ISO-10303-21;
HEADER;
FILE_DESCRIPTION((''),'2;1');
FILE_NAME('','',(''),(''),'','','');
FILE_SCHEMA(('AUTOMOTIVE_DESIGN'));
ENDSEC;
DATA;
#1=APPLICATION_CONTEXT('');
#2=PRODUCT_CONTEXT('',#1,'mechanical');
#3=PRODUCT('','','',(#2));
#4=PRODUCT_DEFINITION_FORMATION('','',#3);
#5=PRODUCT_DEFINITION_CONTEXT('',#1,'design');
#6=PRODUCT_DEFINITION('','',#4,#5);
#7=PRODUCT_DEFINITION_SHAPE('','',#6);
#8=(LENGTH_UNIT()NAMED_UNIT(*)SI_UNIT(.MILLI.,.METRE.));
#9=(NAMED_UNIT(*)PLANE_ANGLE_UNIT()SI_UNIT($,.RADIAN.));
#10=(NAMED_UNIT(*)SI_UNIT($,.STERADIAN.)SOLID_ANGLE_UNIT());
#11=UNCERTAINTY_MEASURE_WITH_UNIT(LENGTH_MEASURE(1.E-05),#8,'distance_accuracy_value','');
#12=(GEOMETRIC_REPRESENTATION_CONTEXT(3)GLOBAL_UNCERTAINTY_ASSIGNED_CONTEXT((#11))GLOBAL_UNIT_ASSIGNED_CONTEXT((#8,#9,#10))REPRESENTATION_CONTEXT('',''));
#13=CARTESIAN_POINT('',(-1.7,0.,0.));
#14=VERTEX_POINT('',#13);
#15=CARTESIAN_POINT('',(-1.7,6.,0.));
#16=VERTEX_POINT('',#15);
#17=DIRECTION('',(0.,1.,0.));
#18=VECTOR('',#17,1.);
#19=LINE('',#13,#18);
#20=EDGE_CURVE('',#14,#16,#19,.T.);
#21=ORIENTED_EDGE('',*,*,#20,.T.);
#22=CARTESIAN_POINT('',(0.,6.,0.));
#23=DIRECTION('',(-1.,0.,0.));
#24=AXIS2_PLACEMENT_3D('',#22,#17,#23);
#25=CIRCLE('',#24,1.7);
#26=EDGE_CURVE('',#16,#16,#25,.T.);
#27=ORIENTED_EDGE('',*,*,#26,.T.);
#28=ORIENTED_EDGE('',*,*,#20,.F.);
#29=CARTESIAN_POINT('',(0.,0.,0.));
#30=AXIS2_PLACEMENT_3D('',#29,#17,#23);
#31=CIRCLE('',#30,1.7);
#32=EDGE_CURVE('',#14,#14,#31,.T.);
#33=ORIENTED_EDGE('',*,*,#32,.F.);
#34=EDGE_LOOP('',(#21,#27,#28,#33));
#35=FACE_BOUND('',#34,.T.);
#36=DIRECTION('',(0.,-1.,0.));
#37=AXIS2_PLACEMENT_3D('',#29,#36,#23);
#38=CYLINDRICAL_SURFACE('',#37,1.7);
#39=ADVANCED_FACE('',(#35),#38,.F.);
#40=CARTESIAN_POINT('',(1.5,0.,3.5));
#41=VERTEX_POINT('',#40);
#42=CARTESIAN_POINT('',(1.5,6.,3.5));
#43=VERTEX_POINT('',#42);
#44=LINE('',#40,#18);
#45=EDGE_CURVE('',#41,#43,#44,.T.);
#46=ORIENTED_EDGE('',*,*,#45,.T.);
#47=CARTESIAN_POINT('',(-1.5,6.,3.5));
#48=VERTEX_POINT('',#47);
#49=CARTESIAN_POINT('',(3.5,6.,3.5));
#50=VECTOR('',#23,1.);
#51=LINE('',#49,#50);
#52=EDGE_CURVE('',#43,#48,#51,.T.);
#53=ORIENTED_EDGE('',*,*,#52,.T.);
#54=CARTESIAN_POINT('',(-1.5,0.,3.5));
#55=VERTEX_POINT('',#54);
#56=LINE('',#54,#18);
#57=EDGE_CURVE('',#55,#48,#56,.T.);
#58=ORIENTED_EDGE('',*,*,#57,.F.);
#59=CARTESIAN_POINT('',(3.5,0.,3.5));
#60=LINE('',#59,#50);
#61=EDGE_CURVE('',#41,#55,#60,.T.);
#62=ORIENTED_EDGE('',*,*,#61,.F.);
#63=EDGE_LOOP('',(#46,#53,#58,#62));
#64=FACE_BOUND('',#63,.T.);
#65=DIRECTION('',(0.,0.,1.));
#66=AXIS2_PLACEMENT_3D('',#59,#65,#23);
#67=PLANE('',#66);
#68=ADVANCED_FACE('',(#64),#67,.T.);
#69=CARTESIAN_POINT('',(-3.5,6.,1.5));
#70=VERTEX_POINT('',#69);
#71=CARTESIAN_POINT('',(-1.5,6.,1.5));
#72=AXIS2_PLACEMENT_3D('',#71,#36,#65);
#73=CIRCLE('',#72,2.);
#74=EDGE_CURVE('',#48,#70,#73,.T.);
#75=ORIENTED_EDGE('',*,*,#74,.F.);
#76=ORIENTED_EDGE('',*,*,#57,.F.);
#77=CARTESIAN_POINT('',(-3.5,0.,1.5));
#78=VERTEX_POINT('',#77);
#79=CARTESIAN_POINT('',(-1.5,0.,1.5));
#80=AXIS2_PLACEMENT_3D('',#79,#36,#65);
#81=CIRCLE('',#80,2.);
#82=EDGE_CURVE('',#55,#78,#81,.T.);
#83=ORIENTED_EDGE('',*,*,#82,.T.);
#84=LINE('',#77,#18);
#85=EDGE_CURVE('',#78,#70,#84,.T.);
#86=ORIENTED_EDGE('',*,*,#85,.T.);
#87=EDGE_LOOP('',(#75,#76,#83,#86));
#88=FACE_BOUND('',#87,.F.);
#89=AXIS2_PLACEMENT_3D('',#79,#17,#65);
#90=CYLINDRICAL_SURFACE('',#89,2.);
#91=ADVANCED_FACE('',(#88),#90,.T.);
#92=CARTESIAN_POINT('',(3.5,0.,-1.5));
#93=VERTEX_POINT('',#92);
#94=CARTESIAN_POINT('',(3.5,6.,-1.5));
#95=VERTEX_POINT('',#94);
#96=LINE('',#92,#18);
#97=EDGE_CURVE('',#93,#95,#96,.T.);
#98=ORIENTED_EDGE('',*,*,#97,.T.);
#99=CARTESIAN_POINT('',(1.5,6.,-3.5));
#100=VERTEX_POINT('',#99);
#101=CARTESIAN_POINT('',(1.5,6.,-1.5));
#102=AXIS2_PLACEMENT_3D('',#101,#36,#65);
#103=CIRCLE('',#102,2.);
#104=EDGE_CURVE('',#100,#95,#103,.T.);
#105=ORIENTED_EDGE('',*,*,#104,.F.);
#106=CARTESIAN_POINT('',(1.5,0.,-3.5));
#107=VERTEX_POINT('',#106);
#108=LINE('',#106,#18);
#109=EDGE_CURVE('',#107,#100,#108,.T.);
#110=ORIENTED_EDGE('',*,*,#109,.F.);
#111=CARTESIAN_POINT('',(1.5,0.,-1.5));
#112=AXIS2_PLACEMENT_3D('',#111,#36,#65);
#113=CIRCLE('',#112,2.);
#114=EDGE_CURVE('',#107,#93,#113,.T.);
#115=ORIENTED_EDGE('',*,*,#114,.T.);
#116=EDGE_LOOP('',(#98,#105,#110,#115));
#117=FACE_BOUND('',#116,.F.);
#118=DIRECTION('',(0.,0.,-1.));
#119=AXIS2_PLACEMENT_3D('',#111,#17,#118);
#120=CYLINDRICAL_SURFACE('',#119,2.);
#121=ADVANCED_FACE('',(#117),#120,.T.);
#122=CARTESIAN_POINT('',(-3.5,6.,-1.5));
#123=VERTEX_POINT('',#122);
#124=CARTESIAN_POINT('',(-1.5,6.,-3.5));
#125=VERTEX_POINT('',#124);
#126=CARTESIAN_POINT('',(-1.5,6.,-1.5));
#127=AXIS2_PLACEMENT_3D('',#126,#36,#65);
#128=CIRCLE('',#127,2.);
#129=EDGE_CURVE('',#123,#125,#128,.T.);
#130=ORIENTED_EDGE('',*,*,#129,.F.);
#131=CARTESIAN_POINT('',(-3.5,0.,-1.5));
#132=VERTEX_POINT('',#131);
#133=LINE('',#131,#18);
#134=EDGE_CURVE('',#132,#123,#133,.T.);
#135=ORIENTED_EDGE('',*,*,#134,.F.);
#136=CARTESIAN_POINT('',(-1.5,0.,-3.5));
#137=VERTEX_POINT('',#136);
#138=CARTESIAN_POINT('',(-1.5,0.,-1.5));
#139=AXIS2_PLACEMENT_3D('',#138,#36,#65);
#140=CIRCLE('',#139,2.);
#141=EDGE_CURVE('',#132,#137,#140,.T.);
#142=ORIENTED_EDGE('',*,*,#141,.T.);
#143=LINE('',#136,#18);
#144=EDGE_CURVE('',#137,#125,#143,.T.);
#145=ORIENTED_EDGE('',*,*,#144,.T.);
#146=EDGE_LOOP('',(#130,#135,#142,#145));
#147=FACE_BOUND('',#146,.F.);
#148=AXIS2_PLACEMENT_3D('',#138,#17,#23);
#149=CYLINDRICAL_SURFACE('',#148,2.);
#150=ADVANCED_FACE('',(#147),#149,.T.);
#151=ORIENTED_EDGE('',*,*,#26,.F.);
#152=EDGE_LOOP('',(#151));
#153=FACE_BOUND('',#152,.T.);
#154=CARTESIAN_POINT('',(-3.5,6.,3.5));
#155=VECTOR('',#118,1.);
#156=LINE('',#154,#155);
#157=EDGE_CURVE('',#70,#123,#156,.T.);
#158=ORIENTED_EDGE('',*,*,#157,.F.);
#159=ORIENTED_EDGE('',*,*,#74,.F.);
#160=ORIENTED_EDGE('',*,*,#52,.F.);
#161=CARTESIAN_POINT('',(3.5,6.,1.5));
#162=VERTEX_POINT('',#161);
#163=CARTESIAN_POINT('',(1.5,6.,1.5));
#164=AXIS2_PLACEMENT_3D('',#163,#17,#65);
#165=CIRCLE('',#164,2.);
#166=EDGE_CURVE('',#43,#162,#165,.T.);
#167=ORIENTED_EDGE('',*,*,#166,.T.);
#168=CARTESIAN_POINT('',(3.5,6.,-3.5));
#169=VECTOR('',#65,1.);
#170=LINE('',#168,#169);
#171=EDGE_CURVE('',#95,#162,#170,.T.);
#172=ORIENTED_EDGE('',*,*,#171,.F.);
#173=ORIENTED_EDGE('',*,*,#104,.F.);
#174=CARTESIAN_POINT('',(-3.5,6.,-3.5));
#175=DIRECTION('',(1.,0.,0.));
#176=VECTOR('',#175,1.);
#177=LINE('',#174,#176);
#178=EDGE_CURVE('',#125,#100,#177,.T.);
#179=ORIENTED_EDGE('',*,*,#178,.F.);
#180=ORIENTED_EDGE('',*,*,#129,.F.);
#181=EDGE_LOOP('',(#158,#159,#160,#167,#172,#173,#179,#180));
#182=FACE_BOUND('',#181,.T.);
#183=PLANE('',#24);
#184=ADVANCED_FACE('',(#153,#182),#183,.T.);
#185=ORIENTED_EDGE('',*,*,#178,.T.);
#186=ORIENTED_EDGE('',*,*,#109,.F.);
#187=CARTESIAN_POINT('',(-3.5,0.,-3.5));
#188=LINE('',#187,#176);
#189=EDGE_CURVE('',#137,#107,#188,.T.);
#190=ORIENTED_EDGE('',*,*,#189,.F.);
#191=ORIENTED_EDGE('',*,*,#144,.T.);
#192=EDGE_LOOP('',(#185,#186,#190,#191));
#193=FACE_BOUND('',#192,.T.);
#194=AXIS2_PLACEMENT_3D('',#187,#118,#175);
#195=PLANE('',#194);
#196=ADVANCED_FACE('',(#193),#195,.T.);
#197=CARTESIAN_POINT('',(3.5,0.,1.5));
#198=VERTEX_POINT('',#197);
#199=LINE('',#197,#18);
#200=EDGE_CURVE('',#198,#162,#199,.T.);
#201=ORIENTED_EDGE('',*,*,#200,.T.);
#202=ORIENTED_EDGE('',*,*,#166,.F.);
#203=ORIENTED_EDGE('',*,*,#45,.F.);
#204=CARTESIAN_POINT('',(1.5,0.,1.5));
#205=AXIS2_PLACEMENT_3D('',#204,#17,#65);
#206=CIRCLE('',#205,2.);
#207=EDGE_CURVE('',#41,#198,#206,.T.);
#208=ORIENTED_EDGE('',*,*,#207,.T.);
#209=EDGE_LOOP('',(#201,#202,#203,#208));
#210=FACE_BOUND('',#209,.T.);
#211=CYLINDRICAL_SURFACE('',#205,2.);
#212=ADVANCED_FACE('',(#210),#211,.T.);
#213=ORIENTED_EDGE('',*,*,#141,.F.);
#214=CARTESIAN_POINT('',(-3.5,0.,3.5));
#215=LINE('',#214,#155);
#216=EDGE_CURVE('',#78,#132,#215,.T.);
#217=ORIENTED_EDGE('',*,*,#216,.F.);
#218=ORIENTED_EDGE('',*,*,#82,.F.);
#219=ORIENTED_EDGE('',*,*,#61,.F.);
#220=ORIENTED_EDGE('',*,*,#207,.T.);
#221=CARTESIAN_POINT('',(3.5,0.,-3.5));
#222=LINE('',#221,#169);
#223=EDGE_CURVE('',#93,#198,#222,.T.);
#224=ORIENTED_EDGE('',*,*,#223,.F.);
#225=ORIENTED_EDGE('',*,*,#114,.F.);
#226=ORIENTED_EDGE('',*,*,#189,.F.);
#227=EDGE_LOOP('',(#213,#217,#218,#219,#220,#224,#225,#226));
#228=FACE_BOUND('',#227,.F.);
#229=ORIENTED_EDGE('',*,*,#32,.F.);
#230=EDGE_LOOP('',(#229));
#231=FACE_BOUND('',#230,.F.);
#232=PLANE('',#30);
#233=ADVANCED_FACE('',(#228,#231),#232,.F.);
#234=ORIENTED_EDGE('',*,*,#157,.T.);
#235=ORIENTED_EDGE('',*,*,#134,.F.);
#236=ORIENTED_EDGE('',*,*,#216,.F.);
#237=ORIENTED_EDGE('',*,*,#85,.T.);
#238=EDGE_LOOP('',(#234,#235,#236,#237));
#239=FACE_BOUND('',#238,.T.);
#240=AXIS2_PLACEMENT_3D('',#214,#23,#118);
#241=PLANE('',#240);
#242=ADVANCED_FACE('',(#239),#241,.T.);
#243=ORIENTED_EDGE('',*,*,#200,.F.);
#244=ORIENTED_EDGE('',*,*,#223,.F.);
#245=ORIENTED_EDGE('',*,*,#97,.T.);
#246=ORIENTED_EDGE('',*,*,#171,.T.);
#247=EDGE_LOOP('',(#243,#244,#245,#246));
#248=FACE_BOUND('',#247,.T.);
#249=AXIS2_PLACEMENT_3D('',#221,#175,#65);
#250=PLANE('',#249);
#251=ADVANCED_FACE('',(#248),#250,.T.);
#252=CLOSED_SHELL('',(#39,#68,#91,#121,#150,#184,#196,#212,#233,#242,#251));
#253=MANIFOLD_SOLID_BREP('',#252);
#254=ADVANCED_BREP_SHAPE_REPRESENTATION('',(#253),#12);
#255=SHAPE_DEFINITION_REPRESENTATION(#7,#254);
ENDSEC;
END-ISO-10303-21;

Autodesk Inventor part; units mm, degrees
ref_plane "YZ Plane" through (0, 0, 0) normal (1, 0, 0) x (0, 1, 0)
ref_plane "XZ Plane" through (0, 0, 0) normal (0, 1, 0) x (-1, 0, 0)
ref_plane "XY Plane" through (0, 0, 0) normal (0, 0, 1) x (1, 0, 0)
sketch "Sketch1" plane through (0, 0, 0) normal (0, 1, 0) x (-1, 0, 0)
  circle A0 centre (0, 0) radius 1.7
  line L0 (-3.5, 3.5) -> (3.5, 3.5)
  line L1 (3.5, 3.5) -> (3.5, -3.5)
  line L2 (3.5, -3.5) -> (-3.5, -3.5)
  line L3 (-3.5, -3.5) -> (-3.5, 3.5)
  line L4 (-3.5, 3.5) -> (3.5, -3.5) construction
  line L5 (3.5, 3.5) -> (-3.5, -3.5) construction
  dimension "d0" = 3.4
  dimension "d1" = 7
extrude "Extrusion1" add sketch "Sketch1" along normal blind 6
fillet "Fillet1" radius 2 4 edges at (3.5, 3, 3.5) (3.5, 3, -3.5) (-3.5, 3, -3.5) (-3.5, 3, 3.5)
properties part number "lcd_spacer"
